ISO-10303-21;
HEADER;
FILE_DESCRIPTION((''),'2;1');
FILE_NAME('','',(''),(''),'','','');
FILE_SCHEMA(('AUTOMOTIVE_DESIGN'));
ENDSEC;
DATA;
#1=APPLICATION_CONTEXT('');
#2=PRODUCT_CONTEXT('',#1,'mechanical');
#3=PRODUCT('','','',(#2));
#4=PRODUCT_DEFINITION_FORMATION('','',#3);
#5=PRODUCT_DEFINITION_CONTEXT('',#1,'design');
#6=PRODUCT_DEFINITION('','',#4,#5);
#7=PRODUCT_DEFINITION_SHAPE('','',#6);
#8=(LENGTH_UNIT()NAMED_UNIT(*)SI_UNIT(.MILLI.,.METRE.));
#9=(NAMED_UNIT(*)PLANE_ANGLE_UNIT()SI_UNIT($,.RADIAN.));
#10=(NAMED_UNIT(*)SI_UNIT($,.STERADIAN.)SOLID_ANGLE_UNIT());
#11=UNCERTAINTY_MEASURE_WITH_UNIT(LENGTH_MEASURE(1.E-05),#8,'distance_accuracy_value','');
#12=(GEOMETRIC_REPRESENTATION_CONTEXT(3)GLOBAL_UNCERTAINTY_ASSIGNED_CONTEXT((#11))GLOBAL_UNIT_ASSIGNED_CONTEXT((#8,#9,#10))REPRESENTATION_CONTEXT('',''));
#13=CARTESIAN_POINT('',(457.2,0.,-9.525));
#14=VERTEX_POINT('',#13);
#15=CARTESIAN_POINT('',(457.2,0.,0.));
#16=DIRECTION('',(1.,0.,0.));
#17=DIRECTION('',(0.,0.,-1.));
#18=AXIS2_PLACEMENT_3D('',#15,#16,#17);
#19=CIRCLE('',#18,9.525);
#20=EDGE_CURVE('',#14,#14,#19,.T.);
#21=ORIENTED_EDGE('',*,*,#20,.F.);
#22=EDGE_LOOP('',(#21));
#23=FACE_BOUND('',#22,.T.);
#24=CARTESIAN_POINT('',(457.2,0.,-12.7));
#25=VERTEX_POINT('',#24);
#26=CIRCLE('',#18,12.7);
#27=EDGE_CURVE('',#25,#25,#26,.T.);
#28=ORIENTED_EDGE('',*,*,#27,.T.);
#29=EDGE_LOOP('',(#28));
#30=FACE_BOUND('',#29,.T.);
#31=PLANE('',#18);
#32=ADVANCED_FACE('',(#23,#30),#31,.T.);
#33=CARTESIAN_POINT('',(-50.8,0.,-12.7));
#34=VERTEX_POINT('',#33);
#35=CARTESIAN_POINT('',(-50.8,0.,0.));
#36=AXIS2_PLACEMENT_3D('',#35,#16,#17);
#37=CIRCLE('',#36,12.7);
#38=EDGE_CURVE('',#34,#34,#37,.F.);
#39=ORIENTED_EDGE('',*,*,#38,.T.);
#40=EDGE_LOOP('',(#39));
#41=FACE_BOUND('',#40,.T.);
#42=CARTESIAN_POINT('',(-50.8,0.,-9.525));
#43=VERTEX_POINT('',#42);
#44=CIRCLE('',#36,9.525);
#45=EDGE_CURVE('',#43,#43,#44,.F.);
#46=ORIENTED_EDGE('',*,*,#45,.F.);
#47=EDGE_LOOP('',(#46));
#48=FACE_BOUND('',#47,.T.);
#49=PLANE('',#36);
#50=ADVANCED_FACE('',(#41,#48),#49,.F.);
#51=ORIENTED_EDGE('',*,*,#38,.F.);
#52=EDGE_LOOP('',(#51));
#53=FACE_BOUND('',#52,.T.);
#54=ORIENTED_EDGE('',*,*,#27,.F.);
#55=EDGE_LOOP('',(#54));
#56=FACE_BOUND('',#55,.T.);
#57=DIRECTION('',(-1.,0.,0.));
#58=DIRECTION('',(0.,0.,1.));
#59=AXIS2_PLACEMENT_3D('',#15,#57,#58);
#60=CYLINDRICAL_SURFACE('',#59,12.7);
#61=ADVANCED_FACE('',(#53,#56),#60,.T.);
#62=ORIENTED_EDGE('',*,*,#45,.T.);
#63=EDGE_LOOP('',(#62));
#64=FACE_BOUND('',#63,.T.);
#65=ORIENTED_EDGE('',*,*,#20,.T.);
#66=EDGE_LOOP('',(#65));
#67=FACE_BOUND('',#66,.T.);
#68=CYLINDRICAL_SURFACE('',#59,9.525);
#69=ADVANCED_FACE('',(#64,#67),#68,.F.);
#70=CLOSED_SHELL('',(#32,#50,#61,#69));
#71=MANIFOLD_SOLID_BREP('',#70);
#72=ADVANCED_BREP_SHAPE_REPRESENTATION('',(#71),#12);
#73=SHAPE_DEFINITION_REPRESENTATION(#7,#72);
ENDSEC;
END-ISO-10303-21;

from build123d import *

# Parameters (mm, degrees)
SKETCH1_R          = 12.7
SKETCH1_R_2        = 9.525
EXTRUDE1_DEPTH     = 457.2
SKETCH3_R          = 12.7
SKETCH3_R_2        = 9.525
CUT_EXTRUDE1_DEPTH = 406.4


with BuildPart() as part:
    # Sketch1 → Extrude1 (new, symmetric)
    with BuildSketch(Plane(origin=(0, 0, 0), x_dir=(0, 0, -1), z_dir=(1, 0, 0))):
        Circle(SKETCH1_R)
        Circle(SKETCH1_R_2, mode=Mode.SUBTRACT)
    extrude(amount=EXTRUDE1_DEPTH, both=True)

    # Sketch3 → Cut-Extrude1 (cut)
    with BuildSketch(Plane.ZY.offset(457.2)):
        with Locations(Location((0, 0, 0), (0, 0, 180))):
            Circle(SKETCH3_R)
        with Locations(Location((0, 0, 0), (0, 0, 180))):
            Circle(SKETCH3_R_2, mode=Mode.SUBTRACT)
    extrude(amount=-CUT_EXTRUDE1_DEPTH, mode=Mode.SUBTRACT)


solid = part.part
